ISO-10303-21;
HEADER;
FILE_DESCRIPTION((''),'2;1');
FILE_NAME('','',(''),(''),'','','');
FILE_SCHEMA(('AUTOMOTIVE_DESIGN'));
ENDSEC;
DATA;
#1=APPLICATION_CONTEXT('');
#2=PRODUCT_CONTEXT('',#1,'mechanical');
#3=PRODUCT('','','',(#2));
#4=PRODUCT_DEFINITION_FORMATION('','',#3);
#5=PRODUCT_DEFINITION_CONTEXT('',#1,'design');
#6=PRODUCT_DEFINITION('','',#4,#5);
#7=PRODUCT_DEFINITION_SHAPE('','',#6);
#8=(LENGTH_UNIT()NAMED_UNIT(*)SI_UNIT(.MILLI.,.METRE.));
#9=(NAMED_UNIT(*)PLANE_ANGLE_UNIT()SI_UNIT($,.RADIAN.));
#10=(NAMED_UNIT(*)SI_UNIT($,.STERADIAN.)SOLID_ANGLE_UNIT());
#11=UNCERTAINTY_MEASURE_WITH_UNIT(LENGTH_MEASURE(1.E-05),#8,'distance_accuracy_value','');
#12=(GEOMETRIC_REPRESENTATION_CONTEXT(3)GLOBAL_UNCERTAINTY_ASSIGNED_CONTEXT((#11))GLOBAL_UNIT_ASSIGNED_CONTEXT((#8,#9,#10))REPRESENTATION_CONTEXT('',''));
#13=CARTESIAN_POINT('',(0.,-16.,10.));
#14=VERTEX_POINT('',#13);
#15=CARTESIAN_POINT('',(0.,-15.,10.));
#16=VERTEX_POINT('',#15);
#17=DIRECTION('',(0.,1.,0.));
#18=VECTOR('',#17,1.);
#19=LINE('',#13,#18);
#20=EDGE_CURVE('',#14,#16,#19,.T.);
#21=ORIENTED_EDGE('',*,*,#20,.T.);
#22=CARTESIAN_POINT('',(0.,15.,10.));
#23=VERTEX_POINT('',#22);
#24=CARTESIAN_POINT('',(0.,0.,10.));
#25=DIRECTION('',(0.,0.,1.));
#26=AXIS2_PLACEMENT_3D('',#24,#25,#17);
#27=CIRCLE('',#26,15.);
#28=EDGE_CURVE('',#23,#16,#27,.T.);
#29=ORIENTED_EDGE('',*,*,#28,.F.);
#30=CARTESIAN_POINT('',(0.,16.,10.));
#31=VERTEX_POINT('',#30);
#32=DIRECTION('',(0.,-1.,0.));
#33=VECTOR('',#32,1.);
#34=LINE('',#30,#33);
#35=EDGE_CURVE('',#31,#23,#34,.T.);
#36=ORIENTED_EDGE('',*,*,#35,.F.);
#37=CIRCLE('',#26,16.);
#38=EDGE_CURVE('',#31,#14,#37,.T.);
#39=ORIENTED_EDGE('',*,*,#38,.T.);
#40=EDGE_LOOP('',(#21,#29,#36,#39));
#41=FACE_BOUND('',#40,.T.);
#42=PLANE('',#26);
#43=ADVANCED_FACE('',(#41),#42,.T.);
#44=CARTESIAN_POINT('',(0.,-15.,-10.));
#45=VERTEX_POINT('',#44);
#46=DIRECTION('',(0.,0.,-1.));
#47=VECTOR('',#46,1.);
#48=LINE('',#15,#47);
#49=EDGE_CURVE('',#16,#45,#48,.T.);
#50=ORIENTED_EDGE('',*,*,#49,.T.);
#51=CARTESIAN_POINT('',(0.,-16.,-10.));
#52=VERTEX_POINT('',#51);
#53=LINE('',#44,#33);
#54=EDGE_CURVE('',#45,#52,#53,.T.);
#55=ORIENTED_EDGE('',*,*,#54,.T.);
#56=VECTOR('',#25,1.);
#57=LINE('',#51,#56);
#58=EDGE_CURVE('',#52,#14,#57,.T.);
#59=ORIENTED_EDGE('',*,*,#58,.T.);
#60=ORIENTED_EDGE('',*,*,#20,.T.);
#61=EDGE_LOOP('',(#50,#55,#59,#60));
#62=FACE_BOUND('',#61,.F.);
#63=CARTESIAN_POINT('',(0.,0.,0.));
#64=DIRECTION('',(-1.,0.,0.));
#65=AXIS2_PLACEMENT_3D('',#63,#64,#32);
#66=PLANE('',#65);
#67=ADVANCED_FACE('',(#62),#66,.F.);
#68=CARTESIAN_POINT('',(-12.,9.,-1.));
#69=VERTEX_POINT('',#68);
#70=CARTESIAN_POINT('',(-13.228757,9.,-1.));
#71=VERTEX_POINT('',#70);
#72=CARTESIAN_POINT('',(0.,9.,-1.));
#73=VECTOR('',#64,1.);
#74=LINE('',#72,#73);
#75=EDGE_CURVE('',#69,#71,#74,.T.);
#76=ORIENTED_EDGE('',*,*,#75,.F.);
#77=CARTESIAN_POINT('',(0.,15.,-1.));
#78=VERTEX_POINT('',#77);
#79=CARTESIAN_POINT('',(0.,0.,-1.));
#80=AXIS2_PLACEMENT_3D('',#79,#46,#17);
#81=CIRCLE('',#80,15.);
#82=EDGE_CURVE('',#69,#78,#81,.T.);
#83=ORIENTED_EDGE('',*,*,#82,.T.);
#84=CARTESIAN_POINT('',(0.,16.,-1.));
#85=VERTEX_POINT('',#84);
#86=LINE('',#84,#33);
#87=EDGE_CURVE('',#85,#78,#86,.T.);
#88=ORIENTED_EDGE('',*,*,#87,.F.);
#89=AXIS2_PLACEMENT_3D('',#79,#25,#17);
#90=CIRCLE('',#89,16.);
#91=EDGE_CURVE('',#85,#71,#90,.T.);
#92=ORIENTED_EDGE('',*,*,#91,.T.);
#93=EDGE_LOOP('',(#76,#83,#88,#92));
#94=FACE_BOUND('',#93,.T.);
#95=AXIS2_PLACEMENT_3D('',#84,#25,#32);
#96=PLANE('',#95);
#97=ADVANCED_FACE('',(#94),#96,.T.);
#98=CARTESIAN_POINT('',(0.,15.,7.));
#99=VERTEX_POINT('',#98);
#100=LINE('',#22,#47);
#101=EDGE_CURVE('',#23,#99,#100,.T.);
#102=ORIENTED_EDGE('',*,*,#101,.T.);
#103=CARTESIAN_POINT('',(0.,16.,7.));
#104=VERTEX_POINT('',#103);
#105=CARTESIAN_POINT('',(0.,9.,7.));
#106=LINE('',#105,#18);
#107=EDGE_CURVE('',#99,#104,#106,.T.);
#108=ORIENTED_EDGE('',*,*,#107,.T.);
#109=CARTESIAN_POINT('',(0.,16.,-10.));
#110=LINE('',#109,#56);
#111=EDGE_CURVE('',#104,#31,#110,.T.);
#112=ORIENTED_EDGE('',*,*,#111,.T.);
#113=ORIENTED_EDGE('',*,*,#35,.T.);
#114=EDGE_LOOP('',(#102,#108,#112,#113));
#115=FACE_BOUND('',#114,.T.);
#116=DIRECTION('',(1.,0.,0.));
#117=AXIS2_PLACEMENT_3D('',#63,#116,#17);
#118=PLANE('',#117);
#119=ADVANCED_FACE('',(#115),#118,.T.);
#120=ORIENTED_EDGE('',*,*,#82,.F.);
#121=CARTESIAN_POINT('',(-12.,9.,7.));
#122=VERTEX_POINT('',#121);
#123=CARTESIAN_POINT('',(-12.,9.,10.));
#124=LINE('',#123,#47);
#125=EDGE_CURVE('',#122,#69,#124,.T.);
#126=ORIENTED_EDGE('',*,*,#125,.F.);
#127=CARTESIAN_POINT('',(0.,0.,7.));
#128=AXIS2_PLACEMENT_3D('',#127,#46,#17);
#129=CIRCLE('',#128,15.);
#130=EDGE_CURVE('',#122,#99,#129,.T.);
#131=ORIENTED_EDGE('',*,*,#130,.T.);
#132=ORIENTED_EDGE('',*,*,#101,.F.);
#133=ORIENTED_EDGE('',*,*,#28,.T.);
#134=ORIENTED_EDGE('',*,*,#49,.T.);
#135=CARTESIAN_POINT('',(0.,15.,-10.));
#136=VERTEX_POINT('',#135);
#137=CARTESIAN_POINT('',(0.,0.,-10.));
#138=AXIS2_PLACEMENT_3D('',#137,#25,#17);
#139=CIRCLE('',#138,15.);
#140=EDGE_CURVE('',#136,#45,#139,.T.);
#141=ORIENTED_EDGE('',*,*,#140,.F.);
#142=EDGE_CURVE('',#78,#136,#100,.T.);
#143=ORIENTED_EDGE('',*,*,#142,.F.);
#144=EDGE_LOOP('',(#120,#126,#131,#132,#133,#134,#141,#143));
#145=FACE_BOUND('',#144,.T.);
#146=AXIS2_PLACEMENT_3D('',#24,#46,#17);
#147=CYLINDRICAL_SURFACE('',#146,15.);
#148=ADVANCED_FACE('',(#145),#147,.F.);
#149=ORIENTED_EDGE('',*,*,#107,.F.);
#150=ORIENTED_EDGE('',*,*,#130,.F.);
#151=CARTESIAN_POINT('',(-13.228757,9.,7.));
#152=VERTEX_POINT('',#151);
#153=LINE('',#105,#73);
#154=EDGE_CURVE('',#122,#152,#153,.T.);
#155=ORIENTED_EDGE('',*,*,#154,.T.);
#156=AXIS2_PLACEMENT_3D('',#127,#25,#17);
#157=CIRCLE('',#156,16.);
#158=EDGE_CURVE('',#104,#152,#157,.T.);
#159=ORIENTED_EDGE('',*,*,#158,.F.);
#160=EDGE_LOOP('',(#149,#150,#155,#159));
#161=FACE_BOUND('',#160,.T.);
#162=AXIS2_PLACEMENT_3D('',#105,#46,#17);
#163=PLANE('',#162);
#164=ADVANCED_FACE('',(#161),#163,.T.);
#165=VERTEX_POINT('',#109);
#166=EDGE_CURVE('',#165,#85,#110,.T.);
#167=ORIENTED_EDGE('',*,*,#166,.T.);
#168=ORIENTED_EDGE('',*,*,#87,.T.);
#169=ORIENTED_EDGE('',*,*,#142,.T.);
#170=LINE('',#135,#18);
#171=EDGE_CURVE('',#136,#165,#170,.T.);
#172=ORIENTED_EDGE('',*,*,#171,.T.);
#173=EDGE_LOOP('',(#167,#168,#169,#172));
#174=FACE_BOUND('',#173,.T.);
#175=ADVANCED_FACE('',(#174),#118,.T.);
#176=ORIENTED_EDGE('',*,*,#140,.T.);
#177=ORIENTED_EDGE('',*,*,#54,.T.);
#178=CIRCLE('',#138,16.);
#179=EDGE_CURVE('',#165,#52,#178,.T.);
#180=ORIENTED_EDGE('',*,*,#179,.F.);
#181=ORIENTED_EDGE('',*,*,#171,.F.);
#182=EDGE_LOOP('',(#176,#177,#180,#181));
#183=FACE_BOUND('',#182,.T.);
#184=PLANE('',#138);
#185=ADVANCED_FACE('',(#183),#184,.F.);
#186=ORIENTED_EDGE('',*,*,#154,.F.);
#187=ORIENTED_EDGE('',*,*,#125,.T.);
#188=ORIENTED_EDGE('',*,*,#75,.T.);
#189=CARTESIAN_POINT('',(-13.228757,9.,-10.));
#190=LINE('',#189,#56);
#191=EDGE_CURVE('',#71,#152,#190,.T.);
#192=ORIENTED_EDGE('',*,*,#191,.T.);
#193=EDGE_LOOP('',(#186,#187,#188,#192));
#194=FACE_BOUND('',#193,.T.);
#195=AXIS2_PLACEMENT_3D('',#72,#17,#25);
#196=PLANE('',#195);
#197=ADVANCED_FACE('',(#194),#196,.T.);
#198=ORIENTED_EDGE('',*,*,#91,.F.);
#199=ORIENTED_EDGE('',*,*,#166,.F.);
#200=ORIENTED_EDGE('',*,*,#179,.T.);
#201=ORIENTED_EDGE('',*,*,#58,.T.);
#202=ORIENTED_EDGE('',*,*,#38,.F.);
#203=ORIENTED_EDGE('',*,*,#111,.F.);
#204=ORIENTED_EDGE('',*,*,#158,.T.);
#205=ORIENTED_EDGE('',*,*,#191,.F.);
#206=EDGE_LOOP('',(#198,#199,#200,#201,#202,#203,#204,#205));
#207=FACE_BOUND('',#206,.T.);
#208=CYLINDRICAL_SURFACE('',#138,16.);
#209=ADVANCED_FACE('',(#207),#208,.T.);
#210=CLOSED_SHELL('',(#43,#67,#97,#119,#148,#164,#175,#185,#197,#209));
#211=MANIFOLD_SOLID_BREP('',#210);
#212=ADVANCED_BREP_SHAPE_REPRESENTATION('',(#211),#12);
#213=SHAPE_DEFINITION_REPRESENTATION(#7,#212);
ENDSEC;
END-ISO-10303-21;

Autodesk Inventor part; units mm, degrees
ref_plane "YZ Plane" through (0, 0, 0) normal (1, 0, 0) x (0, 1, 0)
ref_plane "XZ Plane" through (0, 0, 0) normal (0, 1, 0) x (-1, 0, 0)
ref_plane "XY Plane" through (0, 0, 0) normal (0, 0, 1) x (1, 0, 0)
sketch "スケッチ1" plane through (0, 0, 0) normal (1, 0, 0) x (0, 1, 0)
  line L0 (0, 0) -> (15, 0) construction
  line L1 (15, 0) -> (15, -10) construction
  line L2 (15, -10) -> (16, -10)
  line L3 (16, -10) -> (16, 10)
  line L4 (16, 10) -> (15, 10)
  line L5 (15, 10) -> (15, -10)
  line L6 (0, -14) -> (0, 14) projected
  dimension "d0" = 15
  dimension "d2" = 1
  dimension "d3" = 20
revolve "回転1" add sketch "スケッチ1" angle 180 about axis through (0, 0, -10) along (0, 0, 1)
sketch "スケッチ2" plane through (0, 15, 10) normal (1, 0, 0) x (0, 0, -1)
  line L0 (20, 1) -> (0, 1) projected
  line L1 (0, 1) -> (3, 1)
  line L2 (3, 1) -> (11, 1)
  line L3 (11, 1) -> (11, -6)
  line L4 (11, -6) -> (3, -6)
  line L5 (3, -6) -> (3, 1)
  point P0 (10, -15)
  dimension "d6" = 8
  dimension "d7" = 7
extrude "押し出し1" cut sketch "スケッチ2" against normal through all
properties part number "cover-pipe" material "ステンレス鋼"
